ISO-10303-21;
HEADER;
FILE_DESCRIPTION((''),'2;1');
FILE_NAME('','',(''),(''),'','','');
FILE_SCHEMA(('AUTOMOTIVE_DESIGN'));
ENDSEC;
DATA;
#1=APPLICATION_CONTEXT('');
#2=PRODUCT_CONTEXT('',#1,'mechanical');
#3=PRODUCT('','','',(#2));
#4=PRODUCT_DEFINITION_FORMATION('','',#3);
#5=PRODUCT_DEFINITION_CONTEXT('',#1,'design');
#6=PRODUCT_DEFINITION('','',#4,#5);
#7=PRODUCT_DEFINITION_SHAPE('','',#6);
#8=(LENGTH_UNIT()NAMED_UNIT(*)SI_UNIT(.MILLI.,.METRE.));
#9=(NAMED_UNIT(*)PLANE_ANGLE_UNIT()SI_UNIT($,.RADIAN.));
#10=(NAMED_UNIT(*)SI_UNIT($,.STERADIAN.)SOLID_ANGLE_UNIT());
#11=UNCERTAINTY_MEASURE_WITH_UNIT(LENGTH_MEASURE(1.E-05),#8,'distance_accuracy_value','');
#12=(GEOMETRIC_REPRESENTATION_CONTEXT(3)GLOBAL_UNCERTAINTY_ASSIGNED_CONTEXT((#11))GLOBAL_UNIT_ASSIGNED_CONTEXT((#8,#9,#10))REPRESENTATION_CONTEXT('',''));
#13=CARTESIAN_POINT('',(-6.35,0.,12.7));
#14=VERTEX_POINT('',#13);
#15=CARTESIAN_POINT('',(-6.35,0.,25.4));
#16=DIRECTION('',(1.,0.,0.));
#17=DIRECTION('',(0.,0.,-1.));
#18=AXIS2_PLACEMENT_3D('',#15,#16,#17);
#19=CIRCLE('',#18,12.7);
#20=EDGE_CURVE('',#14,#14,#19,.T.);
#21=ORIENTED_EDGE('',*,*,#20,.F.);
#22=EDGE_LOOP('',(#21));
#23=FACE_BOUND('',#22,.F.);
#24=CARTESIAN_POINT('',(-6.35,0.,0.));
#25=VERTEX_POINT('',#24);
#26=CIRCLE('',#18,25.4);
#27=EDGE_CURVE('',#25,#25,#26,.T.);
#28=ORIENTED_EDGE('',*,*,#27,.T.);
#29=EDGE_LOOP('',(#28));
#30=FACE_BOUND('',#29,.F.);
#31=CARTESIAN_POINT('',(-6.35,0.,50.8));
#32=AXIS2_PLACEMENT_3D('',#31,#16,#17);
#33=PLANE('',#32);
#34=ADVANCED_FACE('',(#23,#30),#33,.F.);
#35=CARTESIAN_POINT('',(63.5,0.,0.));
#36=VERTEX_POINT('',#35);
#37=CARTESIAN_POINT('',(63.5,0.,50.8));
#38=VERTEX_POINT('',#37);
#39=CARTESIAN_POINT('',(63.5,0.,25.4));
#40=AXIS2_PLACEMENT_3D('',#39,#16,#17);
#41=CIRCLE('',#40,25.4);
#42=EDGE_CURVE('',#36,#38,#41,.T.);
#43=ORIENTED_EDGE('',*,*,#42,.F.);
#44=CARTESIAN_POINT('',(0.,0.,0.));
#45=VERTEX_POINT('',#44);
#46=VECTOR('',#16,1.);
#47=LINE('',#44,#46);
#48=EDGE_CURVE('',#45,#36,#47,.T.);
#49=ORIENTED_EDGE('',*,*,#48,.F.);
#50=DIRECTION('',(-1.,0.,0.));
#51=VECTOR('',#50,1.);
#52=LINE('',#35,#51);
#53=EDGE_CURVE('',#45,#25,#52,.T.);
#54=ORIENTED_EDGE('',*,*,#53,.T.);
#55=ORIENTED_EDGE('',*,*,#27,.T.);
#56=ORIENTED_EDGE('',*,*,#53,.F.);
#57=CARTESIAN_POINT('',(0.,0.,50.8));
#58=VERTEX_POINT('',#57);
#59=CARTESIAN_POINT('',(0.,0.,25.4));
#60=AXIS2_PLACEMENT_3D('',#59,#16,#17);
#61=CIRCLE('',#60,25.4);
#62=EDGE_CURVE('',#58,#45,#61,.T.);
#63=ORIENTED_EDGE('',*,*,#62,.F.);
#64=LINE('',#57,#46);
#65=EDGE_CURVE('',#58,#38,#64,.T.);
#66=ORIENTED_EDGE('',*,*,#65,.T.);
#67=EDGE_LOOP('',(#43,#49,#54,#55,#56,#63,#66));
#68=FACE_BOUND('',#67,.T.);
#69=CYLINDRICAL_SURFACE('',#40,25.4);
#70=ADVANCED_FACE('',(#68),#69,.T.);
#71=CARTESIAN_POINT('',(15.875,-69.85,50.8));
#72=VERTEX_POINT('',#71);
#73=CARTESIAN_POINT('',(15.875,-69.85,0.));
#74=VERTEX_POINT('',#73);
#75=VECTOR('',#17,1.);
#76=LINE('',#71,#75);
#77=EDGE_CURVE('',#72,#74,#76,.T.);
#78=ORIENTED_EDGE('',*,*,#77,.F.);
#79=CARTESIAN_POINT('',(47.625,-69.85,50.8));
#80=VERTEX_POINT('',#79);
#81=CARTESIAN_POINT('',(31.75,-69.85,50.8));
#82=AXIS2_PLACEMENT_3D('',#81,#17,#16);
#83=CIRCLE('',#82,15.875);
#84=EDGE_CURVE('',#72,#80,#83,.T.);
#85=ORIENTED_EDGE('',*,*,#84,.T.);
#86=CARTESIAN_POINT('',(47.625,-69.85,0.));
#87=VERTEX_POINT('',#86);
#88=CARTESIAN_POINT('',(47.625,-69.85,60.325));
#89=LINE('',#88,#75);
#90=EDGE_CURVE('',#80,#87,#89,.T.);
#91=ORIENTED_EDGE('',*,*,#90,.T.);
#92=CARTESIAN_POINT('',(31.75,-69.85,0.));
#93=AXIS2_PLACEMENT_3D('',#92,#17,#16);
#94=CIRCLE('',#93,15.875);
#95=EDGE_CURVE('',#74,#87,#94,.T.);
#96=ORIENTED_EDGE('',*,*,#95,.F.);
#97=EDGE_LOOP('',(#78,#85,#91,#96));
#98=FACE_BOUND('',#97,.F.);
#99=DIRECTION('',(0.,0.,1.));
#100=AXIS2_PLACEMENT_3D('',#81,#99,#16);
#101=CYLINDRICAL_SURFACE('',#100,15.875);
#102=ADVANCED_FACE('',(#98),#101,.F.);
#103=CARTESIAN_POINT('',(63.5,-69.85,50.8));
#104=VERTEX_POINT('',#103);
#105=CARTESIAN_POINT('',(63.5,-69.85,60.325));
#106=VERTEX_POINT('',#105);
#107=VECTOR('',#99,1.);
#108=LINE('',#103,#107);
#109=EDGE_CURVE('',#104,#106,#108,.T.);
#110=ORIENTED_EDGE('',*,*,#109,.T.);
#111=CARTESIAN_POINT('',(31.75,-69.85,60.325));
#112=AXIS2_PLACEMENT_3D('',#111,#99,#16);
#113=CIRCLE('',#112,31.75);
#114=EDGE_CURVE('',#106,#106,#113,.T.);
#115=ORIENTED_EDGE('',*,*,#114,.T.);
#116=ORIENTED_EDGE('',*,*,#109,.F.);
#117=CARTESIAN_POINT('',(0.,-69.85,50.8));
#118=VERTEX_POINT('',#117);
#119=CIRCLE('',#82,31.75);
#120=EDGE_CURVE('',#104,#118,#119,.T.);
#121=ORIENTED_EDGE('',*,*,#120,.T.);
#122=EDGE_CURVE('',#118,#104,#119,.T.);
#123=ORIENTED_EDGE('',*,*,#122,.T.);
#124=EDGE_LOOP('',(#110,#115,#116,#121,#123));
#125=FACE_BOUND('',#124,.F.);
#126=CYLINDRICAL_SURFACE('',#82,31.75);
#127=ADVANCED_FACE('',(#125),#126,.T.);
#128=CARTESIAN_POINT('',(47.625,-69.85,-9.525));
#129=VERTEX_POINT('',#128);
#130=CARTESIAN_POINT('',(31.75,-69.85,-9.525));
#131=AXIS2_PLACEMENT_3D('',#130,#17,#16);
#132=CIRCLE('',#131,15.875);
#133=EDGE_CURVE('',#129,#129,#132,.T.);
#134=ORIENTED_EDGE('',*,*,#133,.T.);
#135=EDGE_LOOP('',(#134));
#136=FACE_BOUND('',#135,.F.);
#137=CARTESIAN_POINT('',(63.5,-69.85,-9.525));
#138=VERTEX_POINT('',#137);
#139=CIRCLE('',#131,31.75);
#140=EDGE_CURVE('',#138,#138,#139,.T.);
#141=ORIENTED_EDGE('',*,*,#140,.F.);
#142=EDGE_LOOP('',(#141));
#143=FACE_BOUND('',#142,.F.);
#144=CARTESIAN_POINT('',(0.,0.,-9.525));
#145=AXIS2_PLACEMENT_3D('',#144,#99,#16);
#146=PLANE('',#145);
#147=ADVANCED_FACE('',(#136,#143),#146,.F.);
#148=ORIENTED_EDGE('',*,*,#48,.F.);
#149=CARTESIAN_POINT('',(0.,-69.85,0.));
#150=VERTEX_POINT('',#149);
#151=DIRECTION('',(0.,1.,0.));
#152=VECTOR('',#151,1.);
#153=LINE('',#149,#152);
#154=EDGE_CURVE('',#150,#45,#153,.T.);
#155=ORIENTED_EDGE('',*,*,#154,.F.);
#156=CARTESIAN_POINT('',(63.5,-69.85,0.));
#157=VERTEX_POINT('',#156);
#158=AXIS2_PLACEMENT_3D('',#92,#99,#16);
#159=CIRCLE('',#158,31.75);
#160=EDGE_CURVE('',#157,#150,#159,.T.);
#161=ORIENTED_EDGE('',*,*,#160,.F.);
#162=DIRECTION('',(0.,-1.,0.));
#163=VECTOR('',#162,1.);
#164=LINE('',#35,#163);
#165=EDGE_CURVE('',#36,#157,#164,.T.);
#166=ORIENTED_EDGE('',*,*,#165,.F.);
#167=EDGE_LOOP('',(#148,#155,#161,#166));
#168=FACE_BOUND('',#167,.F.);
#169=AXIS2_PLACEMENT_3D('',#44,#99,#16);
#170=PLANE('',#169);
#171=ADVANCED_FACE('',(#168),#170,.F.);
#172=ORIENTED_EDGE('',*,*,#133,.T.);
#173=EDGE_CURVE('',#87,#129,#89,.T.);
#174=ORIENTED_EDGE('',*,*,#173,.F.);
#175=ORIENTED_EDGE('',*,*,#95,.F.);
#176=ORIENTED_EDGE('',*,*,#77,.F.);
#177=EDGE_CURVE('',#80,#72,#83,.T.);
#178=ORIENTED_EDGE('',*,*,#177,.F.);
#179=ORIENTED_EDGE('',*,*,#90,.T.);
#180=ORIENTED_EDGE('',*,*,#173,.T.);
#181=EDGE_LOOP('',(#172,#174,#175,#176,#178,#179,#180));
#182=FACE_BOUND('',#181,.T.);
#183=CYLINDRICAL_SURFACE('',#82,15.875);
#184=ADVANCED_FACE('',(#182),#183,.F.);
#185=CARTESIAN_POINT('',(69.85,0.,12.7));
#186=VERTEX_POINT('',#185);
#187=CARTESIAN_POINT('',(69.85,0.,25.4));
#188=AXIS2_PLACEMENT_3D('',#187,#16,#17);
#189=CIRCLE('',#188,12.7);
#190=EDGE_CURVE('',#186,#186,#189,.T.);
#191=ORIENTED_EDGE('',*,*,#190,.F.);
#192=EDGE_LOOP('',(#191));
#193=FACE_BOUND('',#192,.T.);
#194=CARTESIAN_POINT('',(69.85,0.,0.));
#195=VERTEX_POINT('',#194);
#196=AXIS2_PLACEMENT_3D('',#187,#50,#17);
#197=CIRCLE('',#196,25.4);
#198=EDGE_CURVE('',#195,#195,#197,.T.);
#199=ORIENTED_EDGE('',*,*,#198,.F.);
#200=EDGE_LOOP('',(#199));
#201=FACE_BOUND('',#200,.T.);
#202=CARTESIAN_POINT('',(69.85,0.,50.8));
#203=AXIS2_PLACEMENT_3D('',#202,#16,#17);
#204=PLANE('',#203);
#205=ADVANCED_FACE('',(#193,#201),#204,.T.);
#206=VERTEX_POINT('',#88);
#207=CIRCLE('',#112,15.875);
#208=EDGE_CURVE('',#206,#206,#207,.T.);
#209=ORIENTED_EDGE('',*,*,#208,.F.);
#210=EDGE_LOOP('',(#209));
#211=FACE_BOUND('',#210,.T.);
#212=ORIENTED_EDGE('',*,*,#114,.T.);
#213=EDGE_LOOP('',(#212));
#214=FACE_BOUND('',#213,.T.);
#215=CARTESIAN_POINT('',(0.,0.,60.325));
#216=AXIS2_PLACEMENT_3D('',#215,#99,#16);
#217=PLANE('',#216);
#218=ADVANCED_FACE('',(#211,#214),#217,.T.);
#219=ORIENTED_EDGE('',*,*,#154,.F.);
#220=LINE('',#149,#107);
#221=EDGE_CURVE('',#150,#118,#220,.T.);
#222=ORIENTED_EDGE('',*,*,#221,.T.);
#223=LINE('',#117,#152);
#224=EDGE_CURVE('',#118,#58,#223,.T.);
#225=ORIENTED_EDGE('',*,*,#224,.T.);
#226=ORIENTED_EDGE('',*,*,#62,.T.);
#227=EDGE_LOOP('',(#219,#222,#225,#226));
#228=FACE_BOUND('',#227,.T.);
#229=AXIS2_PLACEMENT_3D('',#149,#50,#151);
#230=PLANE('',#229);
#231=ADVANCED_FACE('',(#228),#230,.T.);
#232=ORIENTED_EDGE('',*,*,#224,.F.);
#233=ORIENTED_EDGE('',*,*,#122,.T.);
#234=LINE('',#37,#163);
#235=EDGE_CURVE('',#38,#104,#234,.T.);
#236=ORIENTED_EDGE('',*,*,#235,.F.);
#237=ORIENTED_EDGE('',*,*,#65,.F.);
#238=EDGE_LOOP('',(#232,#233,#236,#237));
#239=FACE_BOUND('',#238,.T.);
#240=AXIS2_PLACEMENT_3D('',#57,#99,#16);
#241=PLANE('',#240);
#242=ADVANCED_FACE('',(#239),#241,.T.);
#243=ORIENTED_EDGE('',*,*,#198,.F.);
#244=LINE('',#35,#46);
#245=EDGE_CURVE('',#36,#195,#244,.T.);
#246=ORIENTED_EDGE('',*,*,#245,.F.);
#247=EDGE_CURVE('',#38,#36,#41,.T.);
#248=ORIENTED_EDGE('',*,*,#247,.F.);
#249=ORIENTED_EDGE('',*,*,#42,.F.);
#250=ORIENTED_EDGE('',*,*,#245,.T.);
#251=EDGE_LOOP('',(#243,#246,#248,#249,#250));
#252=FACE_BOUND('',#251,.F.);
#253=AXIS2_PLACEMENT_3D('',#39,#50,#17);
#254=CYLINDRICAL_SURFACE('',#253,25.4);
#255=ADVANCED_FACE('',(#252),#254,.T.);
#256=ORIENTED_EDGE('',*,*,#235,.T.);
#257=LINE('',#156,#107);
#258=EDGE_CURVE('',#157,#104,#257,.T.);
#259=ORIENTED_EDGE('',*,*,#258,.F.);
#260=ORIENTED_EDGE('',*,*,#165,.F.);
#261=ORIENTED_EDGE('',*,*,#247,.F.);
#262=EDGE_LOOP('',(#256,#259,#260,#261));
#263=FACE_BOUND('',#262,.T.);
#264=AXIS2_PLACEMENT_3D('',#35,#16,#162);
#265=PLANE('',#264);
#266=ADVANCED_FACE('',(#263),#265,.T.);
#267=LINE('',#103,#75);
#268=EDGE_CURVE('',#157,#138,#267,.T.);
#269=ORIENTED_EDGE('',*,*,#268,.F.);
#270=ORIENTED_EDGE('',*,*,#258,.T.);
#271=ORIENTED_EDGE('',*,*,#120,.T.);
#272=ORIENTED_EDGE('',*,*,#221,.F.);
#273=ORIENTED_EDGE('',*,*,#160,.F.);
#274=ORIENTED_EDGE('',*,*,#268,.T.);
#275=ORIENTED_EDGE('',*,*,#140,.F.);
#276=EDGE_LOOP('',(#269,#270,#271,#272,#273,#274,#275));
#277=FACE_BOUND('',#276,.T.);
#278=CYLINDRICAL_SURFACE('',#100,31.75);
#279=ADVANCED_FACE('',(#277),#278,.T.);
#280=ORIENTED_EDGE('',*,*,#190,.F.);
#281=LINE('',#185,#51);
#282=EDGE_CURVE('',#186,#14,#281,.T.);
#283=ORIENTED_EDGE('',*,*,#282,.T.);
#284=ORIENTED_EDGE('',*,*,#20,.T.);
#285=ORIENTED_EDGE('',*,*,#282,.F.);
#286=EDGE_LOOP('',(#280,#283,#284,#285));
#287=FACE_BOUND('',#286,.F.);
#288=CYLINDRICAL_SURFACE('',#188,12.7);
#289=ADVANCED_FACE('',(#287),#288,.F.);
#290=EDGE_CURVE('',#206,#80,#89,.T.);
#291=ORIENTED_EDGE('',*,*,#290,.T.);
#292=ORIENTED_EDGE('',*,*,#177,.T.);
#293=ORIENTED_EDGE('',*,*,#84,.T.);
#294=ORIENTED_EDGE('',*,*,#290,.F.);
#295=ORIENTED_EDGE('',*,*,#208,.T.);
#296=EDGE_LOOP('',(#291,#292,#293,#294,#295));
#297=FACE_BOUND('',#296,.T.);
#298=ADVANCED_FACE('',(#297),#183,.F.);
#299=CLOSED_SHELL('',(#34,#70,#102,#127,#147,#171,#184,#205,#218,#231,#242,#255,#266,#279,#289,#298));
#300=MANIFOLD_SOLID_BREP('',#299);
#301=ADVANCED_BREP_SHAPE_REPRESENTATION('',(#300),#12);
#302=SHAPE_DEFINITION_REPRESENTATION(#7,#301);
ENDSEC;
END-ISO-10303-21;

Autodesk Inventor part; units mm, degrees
ref_plane "YZ Plane" through (0, 0, 0) normal (1, 0, 0) x (0, 1, 0)
ref_plane "XZ Plane" through (0, 0, 0) normal (0, 1, 0) x (-1, 0, 0)
ref_plane "XY Plane" through (0, 0, 0) normal (0, 0, 1) x (1, 0, 0)
sketch "Sketch1" plane through (0, 0, 0) normal (0, 0, 1) x (1, 0, 0)
  line L0 (0, 0) -> (63.5, 0)
  line L1 (63.5, 0) -> (63.5, -69.85)
  line L2 (63.5, -69.85) -> (0, -69.85)
  line L3 (0, -69.85) -> (0, 0)
  dimension "d0" = 63.5
  dimension "d1" = 69.85
  dimension "d2" = 63.5
extrude "Extrusion1" add sketch "Sketch1" along normal blind 50.8
sketch "Sketch2" plane through (0, 0, 50.8) normal (0, 0, 1) x (1, 0, 0)
  line L0 (0, -69.85) -> (63.5, -69.85) projected
  circle A0 centre (31.75, -69.85) radius 31.75
  circle A1 centre (31.75, -69.85) radius 15.875
  point P0 (0, 0)
  dimension "d5" = 31.75
extrude "Extrusion2" add sketch "Sketch2" along normal blind 9.525 and the other way blind 60.325 contours A1 L0 A0 | L0 A0 A1
sketch "Sketch3" plane through (63.5, 0, 50.8) normal (1, 0, 0) x (0, 0, -1)
  point P0 (50.8, 0)
sketch "Sketch4" plane through (0, 0, 50.8) normal (0, 0, 1) x (1, 0, 0)
  line L0 (47.625, -69.85) -> (15.875, -69.85) projected
  circle A0 centre (31.75, -69.85) radius 15.875
  point P0 (0, 0)
  dimension "d10" = 31.75
sketch "Sketch5" plane through (0, 0, 50.8) normal (0, 0, 1) x (1, 0, 0)
  point P0 (0, 0)
extrude "Extrusion3" cut sketch "Sketch4" against normal through all
sketch "Sketch6" plane through (63.5, 0, 50.8) normal (1, 0, 0) x (0, 0, -1)
  line L0 (50.8, 0) -> (0, 0) projected
  circle A0 centre (25.4, 0) radius 25.4
  dimension "d13" = 50.8
extrude "Extrusion4" add sketch "Sketch6" along normal blind 6.35 and the other way blind 69.85
sketch "Sketch7" plane through (69.85, 0, 25.4) normal (1, 0, 0) x (0, 0, -1)
  circle A0 centre (0, 0) radius 12.7
  point P0 (25.4, 0)
  dimension "d18" = 25.4
extrude "Extrusion5" cut sketch "Sketch7" against normal through all
properties part number "HW 6 Part 5"
